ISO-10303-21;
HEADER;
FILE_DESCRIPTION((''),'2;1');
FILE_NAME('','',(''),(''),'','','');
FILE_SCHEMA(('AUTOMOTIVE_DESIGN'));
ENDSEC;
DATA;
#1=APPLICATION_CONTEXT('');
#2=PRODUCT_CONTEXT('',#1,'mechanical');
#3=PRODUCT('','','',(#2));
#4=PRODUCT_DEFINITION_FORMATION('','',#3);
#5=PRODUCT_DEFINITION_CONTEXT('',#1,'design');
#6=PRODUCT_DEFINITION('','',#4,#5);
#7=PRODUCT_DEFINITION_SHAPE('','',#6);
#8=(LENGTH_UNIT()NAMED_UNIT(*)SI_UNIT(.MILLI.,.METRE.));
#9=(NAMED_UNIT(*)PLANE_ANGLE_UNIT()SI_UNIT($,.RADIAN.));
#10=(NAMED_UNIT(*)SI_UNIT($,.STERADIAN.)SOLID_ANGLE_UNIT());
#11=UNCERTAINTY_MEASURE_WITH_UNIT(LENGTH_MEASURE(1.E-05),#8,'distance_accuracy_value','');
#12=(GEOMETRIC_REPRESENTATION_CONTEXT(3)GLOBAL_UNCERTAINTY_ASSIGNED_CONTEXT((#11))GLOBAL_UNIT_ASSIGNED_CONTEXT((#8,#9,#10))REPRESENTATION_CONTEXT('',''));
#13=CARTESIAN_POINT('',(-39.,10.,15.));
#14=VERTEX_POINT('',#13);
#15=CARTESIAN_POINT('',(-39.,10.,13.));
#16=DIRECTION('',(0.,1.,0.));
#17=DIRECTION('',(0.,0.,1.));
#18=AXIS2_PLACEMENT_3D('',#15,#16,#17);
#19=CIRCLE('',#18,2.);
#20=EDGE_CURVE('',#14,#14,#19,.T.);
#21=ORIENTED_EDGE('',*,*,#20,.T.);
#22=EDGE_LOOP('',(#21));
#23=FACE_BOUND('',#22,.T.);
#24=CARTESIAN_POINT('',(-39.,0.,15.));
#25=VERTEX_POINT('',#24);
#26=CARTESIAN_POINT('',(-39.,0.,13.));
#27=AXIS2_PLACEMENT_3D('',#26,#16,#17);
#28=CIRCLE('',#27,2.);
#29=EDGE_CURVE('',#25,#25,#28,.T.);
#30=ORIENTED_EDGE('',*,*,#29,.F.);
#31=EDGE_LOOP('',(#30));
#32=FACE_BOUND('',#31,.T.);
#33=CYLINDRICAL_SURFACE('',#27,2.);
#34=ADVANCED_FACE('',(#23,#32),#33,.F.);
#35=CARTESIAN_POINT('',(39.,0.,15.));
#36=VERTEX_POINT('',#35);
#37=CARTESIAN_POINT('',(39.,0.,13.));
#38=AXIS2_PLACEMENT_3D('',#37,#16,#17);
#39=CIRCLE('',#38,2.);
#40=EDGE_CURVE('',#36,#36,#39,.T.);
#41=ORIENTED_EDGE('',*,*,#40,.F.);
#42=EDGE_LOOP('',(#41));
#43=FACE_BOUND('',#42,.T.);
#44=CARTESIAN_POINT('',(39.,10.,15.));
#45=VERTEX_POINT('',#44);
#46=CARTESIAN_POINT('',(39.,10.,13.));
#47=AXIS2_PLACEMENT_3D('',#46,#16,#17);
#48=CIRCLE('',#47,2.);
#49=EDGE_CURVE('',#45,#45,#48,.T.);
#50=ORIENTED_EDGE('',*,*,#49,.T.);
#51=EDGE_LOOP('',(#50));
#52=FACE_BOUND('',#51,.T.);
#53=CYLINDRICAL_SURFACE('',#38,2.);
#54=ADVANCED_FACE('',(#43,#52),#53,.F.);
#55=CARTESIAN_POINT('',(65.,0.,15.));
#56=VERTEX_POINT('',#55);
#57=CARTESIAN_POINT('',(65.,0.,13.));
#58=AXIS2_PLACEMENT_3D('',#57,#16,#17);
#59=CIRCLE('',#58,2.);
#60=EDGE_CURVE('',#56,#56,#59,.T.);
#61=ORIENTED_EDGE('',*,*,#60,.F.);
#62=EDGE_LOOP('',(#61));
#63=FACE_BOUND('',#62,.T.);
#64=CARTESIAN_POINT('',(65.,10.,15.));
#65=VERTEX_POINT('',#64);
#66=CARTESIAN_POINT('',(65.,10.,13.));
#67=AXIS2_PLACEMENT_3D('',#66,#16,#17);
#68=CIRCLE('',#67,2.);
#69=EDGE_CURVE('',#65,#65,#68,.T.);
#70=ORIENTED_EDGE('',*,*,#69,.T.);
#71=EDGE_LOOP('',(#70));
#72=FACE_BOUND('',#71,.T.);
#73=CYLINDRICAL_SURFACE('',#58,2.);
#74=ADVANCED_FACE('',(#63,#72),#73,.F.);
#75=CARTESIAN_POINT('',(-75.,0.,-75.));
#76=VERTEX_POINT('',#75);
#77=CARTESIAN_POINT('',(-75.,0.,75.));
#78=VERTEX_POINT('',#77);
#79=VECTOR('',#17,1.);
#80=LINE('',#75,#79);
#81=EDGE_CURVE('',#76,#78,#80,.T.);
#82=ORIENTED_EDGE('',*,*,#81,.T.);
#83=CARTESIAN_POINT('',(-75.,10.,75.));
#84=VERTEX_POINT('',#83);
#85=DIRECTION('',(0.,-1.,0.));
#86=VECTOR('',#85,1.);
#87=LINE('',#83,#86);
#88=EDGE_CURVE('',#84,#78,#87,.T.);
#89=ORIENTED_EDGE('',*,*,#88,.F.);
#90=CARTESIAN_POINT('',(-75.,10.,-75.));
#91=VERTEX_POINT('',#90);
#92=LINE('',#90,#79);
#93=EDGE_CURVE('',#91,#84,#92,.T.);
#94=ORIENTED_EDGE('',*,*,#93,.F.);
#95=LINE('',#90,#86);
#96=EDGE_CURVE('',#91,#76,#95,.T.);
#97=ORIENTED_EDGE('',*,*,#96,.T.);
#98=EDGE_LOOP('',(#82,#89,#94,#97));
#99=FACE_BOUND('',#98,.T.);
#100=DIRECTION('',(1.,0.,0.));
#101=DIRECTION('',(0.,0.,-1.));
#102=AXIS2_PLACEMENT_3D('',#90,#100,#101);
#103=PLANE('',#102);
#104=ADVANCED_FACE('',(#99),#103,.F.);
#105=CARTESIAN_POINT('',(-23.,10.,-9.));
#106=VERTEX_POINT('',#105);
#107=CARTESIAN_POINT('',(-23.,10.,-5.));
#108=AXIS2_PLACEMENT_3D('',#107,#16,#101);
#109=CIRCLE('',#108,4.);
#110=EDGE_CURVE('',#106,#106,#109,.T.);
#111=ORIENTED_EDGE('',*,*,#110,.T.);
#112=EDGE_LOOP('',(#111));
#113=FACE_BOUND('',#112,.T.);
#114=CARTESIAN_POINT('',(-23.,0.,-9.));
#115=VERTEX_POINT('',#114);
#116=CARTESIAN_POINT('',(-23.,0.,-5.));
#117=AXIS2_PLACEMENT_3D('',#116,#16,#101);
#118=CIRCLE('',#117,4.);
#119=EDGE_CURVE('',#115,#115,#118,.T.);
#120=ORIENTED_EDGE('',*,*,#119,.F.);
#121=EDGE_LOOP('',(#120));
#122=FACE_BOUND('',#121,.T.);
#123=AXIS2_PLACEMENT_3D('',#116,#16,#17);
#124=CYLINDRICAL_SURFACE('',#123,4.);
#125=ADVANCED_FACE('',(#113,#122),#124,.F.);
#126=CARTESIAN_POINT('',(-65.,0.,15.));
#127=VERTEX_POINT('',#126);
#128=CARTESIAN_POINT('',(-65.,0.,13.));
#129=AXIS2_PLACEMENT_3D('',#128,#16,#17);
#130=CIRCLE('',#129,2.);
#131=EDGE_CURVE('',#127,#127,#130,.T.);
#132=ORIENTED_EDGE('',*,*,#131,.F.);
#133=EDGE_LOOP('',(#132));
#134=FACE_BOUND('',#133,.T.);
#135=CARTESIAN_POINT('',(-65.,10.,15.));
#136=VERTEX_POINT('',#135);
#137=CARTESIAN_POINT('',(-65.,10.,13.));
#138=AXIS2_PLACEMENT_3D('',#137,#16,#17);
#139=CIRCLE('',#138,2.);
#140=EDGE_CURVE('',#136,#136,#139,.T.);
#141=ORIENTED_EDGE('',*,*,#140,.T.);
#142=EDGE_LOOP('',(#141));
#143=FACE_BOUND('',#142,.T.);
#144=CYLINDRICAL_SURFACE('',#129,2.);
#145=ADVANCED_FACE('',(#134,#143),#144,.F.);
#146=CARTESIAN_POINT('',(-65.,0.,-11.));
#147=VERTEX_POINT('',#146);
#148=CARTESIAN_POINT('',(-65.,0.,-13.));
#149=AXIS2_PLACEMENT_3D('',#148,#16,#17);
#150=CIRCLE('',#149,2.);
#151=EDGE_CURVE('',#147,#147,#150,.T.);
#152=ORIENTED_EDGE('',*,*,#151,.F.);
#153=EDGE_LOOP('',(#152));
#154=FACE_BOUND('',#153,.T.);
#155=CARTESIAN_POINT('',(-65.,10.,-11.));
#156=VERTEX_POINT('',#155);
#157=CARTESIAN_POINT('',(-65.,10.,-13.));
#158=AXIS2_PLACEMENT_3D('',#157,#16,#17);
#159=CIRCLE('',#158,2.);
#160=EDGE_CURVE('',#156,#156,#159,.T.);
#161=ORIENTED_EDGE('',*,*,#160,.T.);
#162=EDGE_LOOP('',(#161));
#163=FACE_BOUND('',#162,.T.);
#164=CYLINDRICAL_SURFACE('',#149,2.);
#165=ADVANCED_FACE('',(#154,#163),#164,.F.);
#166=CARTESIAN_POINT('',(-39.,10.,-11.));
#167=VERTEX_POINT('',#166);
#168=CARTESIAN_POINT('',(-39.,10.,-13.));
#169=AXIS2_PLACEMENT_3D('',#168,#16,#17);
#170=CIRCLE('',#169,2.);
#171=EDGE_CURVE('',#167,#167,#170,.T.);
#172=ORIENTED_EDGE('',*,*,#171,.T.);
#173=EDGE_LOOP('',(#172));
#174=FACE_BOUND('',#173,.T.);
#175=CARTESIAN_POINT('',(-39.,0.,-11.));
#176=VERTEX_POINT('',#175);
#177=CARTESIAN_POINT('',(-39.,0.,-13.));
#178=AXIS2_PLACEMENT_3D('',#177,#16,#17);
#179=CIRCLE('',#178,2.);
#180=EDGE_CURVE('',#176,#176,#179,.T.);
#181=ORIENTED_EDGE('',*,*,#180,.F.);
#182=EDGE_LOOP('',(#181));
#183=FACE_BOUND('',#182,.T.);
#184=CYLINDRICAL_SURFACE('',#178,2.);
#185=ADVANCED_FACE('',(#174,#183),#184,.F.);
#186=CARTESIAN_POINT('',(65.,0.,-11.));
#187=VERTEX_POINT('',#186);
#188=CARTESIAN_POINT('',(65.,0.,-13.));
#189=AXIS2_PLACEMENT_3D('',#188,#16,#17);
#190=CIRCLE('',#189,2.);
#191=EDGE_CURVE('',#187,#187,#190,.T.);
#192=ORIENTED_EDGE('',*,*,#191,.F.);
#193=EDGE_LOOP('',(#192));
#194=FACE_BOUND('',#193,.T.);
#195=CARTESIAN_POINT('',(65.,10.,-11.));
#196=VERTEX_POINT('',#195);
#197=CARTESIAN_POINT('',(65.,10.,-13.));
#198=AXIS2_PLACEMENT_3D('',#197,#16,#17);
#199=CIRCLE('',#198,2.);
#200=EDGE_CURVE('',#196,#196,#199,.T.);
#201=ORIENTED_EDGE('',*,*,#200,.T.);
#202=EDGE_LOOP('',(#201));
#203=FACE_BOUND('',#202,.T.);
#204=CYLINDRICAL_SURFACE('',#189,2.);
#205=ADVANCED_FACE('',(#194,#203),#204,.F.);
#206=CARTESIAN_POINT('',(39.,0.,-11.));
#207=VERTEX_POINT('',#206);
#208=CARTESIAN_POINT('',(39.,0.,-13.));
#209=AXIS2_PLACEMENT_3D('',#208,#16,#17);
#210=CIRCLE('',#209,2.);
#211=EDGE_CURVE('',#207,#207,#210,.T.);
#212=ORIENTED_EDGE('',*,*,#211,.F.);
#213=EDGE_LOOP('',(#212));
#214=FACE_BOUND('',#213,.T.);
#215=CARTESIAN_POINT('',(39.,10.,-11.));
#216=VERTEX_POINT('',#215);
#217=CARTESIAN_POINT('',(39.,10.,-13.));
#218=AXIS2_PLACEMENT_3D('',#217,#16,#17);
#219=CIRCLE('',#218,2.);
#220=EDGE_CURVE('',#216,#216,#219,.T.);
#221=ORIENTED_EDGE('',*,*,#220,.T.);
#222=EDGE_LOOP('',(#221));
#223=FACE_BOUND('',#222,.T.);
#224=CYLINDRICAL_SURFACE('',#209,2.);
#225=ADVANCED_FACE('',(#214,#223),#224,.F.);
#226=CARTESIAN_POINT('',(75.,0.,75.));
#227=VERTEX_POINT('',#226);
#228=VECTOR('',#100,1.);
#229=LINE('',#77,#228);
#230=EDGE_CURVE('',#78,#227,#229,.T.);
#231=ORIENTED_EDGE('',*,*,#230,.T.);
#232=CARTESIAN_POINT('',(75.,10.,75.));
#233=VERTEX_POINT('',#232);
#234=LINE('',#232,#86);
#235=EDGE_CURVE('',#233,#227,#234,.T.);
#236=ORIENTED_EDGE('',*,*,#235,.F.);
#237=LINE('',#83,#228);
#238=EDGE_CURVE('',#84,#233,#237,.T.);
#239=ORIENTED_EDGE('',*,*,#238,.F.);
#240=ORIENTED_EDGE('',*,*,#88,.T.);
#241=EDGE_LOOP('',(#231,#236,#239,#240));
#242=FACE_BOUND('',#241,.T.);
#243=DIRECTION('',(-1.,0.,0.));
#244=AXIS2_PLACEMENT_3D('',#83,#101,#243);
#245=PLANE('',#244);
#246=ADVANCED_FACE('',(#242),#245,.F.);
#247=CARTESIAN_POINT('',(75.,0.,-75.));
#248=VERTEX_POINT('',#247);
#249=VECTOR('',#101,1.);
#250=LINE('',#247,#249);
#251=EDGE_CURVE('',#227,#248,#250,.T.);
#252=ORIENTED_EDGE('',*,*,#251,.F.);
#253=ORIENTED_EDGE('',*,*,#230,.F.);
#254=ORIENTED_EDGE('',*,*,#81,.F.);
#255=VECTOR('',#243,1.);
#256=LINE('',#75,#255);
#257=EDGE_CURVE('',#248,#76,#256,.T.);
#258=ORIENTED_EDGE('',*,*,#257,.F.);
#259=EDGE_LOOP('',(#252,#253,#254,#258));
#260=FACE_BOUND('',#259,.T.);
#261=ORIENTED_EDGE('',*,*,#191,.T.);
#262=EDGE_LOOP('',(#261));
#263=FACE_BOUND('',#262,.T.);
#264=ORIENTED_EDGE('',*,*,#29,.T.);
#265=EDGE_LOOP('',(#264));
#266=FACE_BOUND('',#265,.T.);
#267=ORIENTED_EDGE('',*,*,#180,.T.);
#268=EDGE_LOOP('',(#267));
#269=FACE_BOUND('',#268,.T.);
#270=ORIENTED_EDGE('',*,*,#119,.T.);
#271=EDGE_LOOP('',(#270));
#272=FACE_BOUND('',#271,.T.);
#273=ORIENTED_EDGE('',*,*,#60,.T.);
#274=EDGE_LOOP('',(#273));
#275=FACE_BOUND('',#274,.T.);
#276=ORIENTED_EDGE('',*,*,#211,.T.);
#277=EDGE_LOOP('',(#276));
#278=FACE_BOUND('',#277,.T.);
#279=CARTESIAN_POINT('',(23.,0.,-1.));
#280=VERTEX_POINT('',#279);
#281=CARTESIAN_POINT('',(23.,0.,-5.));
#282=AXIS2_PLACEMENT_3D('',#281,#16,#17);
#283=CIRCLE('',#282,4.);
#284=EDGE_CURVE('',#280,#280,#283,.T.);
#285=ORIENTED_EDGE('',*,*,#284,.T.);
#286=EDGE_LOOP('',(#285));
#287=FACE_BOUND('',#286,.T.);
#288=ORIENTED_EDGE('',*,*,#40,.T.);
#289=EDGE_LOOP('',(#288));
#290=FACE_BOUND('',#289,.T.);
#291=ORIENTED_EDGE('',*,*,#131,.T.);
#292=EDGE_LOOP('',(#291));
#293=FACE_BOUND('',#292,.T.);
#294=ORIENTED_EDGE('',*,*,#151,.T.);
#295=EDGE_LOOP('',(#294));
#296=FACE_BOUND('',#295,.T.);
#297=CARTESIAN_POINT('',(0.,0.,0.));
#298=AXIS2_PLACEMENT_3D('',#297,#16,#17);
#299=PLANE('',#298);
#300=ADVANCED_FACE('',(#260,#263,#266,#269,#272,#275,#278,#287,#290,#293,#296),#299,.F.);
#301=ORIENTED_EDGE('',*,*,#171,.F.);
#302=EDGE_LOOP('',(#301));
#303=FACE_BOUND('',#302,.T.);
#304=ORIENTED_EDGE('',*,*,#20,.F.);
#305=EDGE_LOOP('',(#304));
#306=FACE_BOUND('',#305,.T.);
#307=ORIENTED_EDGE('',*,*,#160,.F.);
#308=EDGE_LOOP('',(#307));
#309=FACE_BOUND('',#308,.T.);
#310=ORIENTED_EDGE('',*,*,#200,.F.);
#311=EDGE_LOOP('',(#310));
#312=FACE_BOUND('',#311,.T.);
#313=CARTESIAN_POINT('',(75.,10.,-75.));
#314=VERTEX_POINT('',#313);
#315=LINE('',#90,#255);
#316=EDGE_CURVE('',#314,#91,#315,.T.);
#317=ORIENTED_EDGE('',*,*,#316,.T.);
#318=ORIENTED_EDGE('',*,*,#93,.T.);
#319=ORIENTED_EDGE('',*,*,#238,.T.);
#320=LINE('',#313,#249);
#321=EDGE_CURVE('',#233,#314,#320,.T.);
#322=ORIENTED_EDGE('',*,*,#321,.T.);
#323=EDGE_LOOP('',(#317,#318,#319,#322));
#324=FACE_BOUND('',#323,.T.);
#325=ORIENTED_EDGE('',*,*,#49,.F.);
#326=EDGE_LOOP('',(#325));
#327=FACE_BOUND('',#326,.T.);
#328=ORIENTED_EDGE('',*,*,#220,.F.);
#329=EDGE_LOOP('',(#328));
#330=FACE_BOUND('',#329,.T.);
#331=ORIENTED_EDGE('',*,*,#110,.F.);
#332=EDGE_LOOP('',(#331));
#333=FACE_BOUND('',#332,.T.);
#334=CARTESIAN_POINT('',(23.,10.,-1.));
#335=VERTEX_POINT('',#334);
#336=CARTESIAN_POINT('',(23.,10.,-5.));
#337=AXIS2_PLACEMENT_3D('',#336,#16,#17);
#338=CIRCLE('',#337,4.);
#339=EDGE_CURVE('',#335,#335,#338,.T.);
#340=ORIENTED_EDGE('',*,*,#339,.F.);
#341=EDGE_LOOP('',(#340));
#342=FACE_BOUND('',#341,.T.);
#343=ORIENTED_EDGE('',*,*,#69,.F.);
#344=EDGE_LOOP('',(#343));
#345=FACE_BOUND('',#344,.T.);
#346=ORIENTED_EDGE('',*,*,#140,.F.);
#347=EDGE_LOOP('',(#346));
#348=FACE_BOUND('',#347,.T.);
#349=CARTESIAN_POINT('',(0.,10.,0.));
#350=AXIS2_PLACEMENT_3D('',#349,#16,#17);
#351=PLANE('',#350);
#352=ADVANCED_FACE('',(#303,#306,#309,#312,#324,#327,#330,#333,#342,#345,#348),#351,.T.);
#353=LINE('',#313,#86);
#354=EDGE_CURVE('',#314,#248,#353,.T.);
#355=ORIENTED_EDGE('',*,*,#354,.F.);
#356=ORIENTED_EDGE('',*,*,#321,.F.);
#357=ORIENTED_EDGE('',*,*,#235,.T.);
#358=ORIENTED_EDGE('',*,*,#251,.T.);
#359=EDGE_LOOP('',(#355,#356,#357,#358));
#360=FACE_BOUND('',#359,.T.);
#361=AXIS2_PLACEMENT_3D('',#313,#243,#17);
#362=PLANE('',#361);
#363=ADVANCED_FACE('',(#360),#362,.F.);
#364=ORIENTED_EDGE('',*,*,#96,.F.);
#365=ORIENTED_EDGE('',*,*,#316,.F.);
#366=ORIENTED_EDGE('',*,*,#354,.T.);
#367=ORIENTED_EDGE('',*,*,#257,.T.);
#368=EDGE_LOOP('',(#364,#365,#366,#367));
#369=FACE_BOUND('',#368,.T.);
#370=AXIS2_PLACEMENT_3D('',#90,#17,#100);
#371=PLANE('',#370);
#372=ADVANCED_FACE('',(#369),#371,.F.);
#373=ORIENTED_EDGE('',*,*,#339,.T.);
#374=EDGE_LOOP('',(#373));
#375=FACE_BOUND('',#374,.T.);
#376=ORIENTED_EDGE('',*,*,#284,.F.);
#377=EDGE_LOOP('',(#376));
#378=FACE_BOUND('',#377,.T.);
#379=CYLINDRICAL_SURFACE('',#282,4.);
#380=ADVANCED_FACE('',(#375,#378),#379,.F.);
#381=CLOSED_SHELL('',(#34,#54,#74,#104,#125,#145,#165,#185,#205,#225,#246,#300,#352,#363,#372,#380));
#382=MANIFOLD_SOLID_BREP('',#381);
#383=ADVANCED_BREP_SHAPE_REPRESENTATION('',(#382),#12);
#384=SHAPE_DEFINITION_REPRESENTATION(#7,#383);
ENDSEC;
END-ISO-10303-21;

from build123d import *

# Parameters (mm, degrees)
SKETCH1_W           = 150
SKETCH1_H           = 150
BOSS_EXTRUDE1_DEPTH = 10
SKETCH2_R           = 4
SKETCH2_R_2         = 2
CUT_EXTRUDE1_DEPTH  = 10


with BuildPart() as part:
    # Sketch1 → Boss-Extrude1 (new body)
    with BuildSketch(Plane(origin=(0, 0, 0), x_dir=(1, 0, 0), z_dir=(0, 1, 0))):
        Rectangle(SKETCH1_W, SKETCH1_H)
    extrude(amount=BOSS_EXTRUDE1_DEPTH)

    # Sketch2 → Cut-Extrude1 (cut)
    with BuildSketch(Plane(origin=(0, 10, 0), x_dir=(1, 0, 0), z_dir=(0, 1, 0))):
        with Locations((23, 5)):
            Circle(SKETCH2_R)
        with Locations((-23, 5)):
            Circle(SKETCH2_R)
        with Locations((-65, 13)):
            Circle(SKETCH2_R_2)
        with Locations((-39, 13)):
            Circle(SKETCH2_R_2)
        with Locations((-65, -13)):
            Circle(SKETCH2_R_2)
        with Locations((-39, -13)):
            Circle(SKETCH2_R_2)
        with Locations((39, 13)):
            Circle(SKETCH2_R_2)
        with Locations((65, 13)):
            Circle(SKETCH2_R_2)
        with Locations((65, -13)):
            Circle(SKETCH2_R_2)
        with Locations((39, -13)):
            Circle(SKETCH2_R_2)
    extrude(amount=-CUT_EXTRUDE1_DEPTH, mode=Mode.SUBTRACT)


solid = part.part
